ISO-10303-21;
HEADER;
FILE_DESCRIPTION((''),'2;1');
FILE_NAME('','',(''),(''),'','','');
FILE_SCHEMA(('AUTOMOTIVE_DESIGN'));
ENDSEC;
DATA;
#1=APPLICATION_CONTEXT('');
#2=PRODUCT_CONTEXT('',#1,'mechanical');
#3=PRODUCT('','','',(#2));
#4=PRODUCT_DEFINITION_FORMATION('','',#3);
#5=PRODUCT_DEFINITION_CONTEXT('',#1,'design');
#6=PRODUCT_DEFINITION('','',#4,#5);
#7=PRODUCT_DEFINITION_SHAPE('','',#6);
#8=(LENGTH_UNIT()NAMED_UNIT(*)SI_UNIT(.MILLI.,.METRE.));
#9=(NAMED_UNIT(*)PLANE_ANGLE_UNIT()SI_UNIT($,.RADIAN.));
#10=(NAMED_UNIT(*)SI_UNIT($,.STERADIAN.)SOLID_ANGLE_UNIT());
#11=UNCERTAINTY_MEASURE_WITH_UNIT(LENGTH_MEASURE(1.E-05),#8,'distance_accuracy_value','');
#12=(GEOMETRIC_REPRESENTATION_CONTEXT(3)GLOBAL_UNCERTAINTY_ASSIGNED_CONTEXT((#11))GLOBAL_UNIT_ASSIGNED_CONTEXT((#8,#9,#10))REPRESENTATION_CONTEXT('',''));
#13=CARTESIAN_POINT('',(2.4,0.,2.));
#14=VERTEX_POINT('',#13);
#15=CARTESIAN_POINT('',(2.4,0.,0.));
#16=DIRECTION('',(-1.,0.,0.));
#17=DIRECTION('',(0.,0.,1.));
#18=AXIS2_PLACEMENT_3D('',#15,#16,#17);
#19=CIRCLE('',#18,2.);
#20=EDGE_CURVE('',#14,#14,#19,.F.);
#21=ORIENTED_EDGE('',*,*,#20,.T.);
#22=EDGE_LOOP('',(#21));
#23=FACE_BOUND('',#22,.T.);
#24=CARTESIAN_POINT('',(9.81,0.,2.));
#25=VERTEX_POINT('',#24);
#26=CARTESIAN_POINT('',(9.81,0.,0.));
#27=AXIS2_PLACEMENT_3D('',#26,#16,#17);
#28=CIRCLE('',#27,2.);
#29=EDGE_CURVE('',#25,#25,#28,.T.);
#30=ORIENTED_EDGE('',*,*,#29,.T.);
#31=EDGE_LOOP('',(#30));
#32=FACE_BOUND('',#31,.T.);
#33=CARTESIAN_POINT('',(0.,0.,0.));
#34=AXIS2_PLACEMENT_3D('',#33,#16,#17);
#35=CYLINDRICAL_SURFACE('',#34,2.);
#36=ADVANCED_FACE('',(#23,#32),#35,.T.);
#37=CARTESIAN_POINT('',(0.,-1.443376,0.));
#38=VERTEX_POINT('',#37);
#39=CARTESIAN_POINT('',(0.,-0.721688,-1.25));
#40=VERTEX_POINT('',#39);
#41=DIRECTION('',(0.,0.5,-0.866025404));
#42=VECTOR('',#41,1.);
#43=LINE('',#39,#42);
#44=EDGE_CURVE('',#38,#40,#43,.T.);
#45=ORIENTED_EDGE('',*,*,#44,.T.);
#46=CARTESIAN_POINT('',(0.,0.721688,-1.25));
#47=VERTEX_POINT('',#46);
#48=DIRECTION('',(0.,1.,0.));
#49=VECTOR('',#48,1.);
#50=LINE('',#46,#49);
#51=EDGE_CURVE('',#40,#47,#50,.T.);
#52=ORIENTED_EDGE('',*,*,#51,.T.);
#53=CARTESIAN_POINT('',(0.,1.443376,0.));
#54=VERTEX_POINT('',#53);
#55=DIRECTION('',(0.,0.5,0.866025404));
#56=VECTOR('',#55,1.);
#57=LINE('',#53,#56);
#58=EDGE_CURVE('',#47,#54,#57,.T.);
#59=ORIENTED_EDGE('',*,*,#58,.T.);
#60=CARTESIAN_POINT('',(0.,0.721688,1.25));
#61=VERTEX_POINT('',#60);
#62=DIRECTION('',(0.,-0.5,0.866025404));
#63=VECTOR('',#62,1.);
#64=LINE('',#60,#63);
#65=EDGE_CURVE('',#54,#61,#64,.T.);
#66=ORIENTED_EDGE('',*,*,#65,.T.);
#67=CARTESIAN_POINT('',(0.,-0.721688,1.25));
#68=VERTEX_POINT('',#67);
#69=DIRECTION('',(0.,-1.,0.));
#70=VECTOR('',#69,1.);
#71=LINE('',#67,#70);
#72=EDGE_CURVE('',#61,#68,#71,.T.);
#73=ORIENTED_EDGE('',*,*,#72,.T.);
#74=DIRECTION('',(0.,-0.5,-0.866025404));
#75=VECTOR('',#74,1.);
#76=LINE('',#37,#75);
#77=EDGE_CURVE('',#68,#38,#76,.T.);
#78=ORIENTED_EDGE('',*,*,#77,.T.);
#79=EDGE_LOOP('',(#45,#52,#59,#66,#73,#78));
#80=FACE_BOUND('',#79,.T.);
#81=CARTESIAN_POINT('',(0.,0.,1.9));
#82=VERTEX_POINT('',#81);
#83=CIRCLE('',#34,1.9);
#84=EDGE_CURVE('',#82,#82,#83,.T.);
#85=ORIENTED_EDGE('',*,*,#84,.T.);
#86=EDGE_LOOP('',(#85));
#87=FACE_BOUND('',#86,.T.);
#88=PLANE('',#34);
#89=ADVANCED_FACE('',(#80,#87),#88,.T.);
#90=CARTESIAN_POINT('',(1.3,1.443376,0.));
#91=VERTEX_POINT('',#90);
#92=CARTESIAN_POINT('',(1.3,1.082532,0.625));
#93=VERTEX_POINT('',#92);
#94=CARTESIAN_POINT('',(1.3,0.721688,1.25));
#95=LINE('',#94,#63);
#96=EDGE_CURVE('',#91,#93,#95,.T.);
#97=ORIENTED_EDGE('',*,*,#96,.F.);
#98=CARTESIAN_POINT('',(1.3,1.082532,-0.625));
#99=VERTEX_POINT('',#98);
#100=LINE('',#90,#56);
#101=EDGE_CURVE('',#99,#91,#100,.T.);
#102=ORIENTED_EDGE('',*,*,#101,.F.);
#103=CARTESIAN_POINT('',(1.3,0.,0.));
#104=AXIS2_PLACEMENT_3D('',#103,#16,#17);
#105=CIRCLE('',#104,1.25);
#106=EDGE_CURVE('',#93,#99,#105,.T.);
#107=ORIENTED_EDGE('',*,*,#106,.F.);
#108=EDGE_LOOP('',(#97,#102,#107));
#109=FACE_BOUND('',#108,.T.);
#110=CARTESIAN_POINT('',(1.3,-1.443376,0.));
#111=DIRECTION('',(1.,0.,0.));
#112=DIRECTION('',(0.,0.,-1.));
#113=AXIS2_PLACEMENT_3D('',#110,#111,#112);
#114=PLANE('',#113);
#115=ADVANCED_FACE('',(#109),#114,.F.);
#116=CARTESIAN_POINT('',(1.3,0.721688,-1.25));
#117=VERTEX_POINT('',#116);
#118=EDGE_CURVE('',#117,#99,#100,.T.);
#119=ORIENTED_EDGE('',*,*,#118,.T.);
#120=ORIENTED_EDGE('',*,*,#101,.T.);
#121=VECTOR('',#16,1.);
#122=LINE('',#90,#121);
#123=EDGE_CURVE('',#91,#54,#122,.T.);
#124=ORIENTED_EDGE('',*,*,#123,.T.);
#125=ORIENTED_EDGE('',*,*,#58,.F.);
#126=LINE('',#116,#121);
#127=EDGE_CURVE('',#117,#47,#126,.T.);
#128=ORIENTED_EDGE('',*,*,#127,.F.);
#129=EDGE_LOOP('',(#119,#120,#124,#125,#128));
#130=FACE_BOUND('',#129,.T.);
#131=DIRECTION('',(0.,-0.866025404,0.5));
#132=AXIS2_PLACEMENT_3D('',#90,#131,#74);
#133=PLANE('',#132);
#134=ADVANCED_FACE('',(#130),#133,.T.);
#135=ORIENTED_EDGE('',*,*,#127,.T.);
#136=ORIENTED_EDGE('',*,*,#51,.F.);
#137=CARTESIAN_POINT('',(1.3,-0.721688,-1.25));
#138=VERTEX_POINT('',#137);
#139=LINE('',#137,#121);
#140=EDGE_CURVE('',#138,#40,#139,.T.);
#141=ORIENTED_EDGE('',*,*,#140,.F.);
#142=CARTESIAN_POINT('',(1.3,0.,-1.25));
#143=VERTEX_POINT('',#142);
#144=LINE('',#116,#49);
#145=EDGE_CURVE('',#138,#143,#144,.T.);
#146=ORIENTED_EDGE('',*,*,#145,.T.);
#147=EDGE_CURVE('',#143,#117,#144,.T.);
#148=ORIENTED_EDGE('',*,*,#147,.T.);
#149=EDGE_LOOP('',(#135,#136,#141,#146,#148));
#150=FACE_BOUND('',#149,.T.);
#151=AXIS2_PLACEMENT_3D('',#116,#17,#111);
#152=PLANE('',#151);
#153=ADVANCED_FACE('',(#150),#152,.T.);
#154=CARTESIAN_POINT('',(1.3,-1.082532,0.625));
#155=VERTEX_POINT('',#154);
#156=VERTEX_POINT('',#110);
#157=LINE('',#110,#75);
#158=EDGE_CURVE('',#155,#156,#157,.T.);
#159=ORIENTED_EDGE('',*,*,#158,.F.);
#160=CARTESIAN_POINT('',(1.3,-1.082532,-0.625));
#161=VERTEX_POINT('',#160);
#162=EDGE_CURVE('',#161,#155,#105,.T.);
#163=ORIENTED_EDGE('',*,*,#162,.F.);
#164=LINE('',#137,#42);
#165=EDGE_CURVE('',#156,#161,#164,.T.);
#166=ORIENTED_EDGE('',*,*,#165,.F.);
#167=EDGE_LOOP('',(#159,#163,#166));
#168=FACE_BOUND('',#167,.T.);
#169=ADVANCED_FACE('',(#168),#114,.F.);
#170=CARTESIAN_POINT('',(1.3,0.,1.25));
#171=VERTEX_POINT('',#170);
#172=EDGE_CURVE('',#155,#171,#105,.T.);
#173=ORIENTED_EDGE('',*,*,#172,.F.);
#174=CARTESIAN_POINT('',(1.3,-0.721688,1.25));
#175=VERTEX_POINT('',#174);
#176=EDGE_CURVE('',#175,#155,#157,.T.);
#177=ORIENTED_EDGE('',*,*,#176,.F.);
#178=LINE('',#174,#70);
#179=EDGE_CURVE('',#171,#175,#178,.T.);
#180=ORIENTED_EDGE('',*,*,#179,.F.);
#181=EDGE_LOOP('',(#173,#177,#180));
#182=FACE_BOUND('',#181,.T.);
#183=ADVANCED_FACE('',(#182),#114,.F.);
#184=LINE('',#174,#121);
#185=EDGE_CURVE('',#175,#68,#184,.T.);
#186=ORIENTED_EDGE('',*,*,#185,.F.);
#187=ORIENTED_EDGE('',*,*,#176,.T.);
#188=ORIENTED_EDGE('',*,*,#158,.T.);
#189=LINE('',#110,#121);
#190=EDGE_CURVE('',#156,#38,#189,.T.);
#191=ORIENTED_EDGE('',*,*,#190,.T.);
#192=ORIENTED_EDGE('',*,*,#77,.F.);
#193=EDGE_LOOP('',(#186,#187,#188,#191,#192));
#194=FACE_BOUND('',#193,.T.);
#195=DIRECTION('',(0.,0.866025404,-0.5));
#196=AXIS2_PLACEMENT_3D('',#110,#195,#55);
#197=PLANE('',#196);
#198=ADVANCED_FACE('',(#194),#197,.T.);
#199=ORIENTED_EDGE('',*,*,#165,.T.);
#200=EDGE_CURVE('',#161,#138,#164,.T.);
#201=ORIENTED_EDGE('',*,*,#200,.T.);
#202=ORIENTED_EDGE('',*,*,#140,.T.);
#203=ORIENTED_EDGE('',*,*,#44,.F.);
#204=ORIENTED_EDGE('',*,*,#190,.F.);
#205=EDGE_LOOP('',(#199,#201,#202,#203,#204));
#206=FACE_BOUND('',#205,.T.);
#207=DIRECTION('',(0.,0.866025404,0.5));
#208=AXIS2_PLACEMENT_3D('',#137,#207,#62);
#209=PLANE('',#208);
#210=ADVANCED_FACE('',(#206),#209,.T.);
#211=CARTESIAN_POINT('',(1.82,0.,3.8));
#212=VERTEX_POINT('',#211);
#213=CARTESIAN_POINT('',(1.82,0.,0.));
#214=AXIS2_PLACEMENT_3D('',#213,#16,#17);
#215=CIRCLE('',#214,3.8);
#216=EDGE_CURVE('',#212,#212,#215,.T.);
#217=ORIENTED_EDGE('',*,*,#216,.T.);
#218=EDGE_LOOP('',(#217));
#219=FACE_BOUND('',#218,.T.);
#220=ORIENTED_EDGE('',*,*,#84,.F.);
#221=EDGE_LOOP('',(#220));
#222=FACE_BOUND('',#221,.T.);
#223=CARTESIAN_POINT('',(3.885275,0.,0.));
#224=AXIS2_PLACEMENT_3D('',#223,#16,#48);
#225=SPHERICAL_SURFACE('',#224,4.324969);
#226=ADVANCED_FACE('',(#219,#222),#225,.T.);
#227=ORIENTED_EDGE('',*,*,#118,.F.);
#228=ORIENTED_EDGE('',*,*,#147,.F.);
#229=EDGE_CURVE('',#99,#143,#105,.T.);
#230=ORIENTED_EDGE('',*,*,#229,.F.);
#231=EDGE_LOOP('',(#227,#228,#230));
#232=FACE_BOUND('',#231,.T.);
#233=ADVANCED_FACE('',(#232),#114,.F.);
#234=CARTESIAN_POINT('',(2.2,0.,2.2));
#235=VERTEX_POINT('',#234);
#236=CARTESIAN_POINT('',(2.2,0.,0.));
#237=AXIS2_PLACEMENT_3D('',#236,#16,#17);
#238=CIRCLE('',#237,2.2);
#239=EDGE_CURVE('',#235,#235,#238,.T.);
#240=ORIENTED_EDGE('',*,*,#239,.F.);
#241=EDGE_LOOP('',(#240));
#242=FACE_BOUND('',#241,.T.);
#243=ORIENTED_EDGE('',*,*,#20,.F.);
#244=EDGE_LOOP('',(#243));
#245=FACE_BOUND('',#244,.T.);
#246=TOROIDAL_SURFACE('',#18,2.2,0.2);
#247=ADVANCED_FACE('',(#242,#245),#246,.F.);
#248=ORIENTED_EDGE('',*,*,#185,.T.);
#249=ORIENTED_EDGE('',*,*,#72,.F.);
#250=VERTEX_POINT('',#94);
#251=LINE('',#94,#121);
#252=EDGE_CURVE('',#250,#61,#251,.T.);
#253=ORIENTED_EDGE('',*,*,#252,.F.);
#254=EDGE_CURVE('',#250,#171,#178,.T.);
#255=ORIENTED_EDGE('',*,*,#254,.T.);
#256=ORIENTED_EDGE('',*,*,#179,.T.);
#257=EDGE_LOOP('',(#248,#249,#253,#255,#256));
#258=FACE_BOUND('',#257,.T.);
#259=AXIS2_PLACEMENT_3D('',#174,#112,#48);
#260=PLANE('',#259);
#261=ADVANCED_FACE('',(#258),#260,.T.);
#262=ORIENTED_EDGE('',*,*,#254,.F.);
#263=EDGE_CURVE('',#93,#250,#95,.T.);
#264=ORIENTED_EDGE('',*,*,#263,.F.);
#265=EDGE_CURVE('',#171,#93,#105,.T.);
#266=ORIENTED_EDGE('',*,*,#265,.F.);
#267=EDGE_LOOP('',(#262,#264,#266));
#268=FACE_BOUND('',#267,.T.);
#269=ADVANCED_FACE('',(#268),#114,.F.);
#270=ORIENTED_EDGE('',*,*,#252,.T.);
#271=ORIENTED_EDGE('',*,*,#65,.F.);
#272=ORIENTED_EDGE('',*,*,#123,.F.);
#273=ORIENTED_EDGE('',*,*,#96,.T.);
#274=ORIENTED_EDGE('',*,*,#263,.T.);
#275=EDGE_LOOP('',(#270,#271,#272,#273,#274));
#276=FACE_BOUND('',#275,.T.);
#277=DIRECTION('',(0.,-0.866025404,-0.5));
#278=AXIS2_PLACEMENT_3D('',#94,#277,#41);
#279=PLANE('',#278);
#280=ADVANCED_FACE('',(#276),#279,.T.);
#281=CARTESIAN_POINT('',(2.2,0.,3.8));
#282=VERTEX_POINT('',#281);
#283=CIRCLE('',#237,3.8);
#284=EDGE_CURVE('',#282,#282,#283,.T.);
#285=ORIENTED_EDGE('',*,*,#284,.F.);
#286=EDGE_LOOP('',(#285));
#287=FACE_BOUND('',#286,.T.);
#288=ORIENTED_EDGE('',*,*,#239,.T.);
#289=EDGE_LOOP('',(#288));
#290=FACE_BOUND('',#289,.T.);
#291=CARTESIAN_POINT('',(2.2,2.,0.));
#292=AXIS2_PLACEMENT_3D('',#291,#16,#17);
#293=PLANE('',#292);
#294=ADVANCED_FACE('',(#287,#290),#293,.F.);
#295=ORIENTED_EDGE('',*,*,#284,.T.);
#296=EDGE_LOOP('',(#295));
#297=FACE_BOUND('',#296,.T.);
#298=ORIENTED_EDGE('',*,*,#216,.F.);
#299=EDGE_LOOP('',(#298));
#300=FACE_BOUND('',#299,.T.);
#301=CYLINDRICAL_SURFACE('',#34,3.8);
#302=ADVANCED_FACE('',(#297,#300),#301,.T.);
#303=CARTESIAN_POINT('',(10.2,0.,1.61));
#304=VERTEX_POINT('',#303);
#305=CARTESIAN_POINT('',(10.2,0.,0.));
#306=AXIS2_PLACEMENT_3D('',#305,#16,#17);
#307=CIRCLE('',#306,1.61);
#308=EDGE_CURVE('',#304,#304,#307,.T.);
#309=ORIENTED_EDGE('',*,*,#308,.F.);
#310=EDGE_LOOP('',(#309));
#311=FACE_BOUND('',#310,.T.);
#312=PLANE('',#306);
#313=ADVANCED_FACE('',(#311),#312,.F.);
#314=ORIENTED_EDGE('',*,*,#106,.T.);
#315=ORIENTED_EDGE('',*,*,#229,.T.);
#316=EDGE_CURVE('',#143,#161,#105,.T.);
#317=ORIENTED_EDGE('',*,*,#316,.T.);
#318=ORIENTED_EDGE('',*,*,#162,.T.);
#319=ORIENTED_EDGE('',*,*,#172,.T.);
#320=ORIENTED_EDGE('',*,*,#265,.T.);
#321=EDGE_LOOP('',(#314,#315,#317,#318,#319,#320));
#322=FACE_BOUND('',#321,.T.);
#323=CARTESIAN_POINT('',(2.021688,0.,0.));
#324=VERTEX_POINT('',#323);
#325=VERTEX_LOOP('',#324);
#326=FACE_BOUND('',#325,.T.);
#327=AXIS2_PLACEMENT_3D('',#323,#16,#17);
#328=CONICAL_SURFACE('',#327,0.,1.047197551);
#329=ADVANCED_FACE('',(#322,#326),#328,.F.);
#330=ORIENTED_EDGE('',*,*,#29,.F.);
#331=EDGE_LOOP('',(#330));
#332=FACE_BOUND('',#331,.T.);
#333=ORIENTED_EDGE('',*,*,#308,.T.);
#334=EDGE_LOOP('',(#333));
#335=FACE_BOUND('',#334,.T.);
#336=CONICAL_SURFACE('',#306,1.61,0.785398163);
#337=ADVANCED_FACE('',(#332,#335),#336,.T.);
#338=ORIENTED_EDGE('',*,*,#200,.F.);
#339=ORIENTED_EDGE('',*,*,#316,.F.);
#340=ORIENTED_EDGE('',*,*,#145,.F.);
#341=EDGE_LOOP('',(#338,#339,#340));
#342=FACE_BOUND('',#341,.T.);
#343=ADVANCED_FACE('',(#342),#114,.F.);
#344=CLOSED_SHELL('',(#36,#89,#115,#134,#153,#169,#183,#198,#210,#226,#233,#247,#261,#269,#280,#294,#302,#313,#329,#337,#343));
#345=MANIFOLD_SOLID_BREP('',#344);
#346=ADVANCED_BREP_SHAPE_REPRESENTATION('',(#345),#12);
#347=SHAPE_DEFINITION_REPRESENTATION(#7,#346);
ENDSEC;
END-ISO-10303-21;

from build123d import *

# Parameters (mm, degrees)
FILLET1_R   = 0.2
HEX_2_DEPTH = 1.3


with BuildPart() as part:
    # BodySke → BaseBody (revolve)
    with BuildSketch(Plane.XY):
        with BuildLine():
            Line((10.2, 0), (10.2, 1.61))
            Line((10.2, 1.61), (9.81, 2))
            Line((9.81, 2), (2.2, 2))
            Line((2.2, 2), (2.2, 3.8))
            Line((2.2, 3.8), (1.82, 3.8))
            ThreePointArc((1.82, 3.8), (0.762013659, 2.991755338), (0, 1.9))
            Line((0, 1.9), (0, 0))
            Line((0, 0), (10.2, 0))
        make_face()
    revolve(axis=Axis((0, 0, 0), (1, 0, 0)))

    # Fillet1
    fillet1_edges = [part.edges().sort_by_distance(p)[0] for p in [
        (2.2, -2, 0),
    ]]
    fillet(fillet1_edges, radius=FILLET1_R)

    # Sketch2 → PreBroach (revolve, cut)
    with BuildSketch(Plane.XY):
        Polygon((0, 1.25), (1.3, 1.25), (2.021687836, 0), (0, 0), align=None)
    revolve(axis=Axis((0, 0, 0), (1, 0, 0)), mode=Mode.SUBTRACT)

    # Sketch3 → Hex 2 (cut)
    with BuildSketch(Plane(origin=(0, 0, 0), x_dir=(0, 0, -1), z_dir=(1, 0, 0))):
        Polygon((-1.25, -0.721687836), (-1.25, 0.721687836), (0, 1.443375673), (1.25, 0.721687836), (1.25, -0.721687836), (0, -1.443375673), align=None)
    extrude(amount=HEX_2_DEPTH, mode=Mode.SUBTRACT)


solid = part.part
